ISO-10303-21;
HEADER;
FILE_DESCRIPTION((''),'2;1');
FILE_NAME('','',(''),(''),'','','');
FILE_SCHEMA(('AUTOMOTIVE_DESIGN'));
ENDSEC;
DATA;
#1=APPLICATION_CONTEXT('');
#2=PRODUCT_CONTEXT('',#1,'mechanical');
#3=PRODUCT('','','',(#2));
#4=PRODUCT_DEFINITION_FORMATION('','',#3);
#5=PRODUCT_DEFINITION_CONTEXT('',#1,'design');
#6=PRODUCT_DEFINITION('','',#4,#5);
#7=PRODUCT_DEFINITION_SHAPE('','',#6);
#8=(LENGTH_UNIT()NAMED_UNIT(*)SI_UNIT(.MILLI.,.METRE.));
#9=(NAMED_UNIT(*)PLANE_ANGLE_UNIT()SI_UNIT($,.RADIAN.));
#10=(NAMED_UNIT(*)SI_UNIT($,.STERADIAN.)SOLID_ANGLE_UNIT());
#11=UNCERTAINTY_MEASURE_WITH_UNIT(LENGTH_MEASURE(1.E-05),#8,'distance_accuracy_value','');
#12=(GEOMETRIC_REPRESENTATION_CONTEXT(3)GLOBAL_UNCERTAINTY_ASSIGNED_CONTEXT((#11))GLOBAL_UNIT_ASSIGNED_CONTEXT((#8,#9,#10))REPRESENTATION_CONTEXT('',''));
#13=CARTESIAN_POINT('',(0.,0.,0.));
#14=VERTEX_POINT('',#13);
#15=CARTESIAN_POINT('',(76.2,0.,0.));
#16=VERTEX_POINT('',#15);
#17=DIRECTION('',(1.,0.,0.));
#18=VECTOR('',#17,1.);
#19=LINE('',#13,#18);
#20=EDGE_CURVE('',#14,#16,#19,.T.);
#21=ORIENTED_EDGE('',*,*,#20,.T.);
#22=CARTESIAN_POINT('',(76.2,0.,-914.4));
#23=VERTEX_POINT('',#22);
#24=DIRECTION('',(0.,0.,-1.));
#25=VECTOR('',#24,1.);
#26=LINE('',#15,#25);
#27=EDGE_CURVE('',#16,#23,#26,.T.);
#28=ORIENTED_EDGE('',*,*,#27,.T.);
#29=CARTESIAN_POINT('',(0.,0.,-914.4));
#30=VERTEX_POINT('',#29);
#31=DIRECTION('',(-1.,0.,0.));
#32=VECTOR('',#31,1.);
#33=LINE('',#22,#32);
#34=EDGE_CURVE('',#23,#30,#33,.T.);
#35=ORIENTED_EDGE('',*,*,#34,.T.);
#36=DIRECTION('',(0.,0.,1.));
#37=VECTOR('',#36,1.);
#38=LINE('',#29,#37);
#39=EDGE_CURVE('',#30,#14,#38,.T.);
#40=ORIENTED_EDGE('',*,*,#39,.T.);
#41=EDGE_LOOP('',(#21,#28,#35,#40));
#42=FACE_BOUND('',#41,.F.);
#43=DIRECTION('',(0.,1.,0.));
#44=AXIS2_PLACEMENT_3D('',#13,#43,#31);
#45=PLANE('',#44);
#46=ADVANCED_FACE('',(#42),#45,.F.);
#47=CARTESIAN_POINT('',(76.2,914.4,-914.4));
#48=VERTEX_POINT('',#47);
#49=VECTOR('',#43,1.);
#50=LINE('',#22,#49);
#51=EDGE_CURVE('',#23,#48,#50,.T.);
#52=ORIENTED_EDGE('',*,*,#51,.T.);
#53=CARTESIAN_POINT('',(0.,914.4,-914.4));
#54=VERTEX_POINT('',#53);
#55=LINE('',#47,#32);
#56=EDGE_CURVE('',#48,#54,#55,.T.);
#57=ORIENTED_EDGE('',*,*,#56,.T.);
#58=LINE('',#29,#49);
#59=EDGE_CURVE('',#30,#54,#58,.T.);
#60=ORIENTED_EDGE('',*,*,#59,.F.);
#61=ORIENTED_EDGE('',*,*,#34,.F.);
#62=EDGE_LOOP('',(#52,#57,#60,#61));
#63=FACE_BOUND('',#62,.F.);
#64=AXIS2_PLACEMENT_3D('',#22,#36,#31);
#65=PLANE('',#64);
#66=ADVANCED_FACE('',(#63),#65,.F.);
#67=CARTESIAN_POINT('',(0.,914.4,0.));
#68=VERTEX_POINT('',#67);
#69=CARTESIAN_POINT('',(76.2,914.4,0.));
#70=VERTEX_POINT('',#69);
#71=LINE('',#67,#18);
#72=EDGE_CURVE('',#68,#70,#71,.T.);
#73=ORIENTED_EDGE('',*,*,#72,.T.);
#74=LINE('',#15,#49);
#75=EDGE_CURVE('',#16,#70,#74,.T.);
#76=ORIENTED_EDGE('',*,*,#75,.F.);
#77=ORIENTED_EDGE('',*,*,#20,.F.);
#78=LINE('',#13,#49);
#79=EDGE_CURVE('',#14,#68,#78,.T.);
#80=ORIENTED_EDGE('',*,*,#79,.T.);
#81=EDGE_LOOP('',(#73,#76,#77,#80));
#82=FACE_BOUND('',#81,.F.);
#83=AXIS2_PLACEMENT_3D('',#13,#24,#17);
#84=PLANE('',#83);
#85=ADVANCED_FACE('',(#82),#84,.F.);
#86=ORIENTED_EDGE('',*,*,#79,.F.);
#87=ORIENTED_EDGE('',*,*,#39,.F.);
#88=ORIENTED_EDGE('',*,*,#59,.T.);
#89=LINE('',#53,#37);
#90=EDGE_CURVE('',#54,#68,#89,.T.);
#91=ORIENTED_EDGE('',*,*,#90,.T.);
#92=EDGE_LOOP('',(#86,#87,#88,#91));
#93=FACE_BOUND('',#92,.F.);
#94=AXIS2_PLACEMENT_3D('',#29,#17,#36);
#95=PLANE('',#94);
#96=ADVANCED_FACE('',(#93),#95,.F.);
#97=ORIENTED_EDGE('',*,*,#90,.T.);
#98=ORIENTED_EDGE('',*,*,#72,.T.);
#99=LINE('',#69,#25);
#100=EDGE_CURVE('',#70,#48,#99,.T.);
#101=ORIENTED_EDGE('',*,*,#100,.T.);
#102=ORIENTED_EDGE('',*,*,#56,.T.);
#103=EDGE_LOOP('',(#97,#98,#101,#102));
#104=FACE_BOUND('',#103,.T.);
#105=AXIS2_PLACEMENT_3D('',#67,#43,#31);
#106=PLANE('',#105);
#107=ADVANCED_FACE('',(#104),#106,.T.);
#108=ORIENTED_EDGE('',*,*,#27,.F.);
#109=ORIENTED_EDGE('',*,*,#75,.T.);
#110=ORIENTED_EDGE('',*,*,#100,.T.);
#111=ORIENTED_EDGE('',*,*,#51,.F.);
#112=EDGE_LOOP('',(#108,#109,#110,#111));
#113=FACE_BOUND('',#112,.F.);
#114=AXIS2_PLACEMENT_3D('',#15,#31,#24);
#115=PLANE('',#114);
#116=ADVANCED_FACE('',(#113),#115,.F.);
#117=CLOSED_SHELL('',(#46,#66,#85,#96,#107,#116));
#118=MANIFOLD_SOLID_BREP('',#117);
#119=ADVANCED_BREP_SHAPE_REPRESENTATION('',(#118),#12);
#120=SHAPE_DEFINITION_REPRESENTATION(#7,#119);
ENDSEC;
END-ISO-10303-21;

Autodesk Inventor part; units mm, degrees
ref_plane "YZ Plane" through (0, 0, 0) normal (1, 0, 0) x (0, 1, 0)
ref_plane "XZ Plane" through (0, 0, 0) normal (0, 1, 0) x (-1, 0, 0)
ref_plane "XY Plane" through (0, 0, 0) normal (0, 0, 1) x (1, 0, 0)
sketch "Sketch1" plane through (0, 0, 0) normal (0, 1, 0) x (-1, 0, 0)
  line L0 (0, 0) -> (-76.2, 0)
  line L1 (-76.2, 0) -> (-76.2, -914.4)
  line L2 (-76.2, -914.4) -> (0, -914.4)
  line L3 (0, -914.4) -> (0, 0)
  dimension "d0" = 76.2
  dimension "d1" = 914.4
extrude "Extrusion1" add sketch "Sketch1" along normal blind 914.4
properties part number "rev2 top short wall plane" material "Wood (Birch)"
